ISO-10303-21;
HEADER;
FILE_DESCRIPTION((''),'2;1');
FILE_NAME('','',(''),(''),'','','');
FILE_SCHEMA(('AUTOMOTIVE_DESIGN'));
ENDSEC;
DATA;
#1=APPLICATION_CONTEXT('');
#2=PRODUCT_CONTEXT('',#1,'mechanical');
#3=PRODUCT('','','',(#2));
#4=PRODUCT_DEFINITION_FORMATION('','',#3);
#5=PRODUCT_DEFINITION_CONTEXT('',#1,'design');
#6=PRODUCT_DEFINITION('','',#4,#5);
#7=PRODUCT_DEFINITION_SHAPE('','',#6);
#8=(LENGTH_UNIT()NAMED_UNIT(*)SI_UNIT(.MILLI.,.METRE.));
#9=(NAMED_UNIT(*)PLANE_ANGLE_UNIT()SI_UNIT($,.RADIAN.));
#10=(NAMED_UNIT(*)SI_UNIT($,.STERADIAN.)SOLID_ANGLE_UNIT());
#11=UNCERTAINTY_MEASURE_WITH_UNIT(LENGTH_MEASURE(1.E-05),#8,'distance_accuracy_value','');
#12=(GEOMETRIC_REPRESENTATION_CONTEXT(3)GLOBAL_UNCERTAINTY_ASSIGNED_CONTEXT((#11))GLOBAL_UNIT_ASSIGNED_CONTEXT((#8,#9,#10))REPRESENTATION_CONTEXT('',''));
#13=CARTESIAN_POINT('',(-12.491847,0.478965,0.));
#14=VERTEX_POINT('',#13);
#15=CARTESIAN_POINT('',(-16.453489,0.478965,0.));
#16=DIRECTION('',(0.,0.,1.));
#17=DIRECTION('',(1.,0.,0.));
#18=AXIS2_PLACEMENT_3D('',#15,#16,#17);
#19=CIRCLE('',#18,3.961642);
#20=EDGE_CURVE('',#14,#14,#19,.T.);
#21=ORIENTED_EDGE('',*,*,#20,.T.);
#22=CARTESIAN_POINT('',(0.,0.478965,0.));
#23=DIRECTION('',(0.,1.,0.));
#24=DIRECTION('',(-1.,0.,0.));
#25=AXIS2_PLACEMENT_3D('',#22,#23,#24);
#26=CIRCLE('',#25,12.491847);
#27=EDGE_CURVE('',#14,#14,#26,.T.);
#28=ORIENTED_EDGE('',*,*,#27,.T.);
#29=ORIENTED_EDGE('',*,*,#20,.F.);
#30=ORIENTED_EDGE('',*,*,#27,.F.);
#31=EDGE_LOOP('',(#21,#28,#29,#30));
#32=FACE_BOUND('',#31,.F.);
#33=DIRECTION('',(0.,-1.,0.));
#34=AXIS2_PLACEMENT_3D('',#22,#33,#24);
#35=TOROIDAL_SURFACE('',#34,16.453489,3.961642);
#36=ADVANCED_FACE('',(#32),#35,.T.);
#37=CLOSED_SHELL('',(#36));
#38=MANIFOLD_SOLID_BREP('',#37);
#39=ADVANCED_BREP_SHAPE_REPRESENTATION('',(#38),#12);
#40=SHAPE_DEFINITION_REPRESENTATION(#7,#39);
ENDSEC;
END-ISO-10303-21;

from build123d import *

# Parameters (mm, degrees)
SKETCH002_R = 3.961642


with BuildPart() as part:
    # Sketch002 → Revolution (revolve)
    with BuildSketch(Plane.XY):
        with Locations((-16.453489, 0.478965)):
            Circle(SKETCH002_R)
    revolve(axis=Axis((0, 0, 0), (0, 1, 0)))


solid = part.part
